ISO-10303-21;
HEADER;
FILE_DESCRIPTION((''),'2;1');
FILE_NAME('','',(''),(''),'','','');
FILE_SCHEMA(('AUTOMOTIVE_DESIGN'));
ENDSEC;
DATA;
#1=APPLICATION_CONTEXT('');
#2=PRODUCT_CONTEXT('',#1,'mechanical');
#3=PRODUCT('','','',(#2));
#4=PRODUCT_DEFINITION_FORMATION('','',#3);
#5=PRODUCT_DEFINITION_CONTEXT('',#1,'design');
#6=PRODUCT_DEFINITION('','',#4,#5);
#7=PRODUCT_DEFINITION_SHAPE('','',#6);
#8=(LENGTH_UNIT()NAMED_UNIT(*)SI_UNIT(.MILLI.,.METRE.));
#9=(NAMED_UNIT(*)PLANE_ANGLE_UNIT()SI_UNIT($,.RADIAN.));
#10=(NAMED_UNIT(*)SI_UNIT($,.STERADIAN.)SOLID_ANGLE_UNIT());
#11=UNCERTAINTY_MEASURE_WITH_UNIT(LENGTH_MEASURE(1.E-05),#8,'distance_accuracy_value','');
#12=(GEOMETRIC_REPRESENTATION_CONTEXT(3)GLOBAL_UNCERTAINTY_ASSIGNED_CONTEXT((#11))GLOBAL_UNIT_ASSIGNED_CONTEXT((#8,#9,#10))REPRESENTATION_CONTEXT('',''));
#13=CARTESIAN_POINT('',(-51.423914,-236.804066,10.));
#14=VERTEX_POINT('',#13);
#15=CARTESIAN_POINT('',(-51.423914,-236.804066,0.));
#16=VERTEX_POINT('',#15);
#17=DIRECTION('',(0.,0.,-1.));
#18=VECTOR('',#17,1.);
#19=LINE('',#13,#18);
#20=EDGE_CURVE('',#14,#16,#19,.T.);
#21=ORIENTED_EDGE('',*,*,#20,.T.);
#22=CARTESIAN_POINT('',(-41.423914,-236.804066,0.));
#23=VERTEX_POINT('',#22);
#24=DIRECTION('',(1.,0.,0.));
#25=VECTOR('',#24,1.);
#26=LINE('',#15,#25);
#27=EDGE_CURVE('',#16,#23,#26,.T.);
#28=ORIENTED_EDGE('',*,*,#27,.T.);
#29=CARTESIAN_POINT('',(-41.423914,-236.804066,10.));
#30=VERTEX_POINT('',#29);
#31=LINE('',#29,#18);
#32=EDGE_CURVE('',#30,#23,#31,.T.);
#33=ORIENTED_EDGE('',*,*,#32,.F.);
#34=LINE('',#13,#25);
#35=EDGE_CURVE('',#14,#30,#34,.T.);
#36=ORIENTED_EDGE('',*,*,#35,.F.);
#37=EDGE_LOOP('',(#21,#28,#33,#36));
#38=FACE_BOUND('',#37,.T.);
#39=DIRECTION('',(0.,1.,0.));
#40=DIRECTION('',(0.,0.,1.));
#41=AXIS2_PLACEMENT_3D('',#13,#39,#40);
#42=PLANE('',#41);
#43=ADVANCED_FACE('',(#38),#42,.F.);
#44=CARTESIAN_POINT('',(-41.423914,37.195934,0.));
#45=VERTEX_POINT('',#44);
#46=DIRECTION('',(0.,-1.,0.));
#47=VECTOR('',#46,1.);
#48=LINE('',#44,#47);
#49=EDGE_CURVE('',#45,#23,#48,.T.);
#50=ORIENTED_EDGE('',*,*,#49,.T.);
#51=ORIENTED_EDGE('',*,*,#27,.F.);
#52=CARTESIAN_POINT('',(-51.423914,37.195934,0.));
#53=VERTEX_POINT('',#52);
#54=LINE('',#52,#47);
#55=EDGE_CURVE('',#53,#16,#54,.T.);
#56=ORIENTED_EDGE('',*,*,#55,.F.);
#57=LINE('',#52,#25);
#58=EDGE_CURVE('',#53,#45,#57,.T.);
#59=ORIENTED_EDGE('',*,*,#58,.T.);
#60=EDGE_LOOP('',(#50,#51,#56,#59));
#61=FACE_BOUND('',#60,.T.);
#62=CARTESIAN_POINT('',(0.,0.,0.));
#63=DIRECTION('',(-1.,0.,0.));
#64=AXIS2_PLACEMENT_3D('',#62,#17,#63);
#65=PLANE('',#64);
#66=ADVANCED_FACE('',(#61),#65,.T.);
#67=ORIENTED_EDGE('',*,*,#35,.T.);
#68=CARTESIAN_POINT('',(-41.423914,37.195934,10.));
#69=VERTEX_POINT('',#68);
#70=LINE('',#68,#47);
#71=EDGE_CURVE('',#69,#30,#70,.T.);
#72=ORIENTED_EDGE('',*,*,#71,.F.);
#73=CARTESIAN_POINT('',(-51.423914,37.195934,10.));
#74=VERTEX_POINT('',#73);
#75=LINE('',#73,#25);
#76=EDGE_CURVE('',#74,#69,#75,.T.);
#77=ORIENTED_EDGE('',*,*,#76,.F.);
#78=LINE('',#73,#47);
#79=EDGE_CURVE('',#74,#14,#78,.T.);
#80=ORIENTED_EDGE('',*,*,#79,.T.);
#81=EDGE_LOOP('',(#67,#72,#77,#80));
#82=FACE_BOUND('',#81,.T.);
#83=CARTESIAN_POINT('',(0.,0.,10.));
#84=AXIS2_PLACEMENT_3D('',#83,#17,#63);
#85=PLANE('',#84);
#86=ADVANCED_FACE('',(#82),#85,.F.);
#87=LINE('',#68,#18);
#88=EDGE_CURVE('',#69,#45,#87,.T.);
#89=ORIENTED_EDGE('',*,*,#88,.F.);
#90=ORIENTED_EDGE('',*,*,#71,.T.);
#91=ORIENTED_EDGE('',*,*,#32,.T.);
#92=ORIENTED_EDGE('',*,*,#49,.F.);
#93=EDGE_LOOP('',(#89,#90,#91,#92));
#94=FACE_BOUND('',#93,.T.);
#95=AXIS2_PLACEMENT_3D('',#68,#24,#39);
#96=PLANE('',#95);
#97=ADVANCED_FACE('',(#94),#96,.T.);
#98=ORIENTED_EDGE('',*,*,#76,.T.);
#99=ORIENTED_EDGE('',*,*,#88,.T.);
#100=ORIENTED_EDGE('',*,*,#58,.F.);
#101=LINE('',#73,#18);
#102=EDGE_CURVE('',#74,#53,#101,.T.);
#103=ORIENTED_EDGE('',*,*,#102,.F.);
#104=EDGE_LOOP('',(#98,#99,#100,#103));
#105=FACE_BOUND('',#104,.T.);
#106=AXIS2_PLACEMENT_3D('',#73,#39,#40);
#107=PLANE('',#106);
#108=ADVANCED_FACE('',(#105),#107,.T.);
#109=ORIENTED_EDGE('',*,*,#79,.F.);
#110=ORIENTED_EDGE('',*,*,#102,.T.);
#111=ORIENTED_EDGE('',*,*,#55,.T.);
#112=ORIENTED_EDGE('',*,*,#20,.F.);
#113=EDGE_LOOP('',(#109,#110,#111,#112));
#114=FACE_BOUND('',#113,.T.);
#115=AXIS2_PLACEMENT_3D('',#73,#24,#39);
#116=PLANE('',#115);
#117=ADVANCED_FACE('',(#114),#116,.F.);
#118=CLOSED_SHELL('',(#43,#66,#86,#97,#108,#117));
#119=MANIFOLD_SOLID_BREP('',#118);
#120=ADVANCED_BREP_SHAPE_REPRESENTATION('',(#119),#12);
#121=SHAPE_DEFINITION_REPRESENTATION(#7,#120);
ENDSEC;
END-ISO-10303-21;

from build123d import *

# Parameters (mm, degrees)
ESQUISSE1_W        = 10
ESQUISSE1_H        = 274
BOSS_EXTRU_1_DEPTH = 10


with BuildPart() as part:
    # Esquisse1 → Boss.-Extru.1 (new body)
    with BuildSketch(Plane.XY):
        with Locations((-46.423914476, -99.8040658)):
            Rectangle(ESQUISSE1_W, ESQUISSE1_H)
    extrude(amount=BOSS_EXTRU_1_DEPTH)


solid = part.part
